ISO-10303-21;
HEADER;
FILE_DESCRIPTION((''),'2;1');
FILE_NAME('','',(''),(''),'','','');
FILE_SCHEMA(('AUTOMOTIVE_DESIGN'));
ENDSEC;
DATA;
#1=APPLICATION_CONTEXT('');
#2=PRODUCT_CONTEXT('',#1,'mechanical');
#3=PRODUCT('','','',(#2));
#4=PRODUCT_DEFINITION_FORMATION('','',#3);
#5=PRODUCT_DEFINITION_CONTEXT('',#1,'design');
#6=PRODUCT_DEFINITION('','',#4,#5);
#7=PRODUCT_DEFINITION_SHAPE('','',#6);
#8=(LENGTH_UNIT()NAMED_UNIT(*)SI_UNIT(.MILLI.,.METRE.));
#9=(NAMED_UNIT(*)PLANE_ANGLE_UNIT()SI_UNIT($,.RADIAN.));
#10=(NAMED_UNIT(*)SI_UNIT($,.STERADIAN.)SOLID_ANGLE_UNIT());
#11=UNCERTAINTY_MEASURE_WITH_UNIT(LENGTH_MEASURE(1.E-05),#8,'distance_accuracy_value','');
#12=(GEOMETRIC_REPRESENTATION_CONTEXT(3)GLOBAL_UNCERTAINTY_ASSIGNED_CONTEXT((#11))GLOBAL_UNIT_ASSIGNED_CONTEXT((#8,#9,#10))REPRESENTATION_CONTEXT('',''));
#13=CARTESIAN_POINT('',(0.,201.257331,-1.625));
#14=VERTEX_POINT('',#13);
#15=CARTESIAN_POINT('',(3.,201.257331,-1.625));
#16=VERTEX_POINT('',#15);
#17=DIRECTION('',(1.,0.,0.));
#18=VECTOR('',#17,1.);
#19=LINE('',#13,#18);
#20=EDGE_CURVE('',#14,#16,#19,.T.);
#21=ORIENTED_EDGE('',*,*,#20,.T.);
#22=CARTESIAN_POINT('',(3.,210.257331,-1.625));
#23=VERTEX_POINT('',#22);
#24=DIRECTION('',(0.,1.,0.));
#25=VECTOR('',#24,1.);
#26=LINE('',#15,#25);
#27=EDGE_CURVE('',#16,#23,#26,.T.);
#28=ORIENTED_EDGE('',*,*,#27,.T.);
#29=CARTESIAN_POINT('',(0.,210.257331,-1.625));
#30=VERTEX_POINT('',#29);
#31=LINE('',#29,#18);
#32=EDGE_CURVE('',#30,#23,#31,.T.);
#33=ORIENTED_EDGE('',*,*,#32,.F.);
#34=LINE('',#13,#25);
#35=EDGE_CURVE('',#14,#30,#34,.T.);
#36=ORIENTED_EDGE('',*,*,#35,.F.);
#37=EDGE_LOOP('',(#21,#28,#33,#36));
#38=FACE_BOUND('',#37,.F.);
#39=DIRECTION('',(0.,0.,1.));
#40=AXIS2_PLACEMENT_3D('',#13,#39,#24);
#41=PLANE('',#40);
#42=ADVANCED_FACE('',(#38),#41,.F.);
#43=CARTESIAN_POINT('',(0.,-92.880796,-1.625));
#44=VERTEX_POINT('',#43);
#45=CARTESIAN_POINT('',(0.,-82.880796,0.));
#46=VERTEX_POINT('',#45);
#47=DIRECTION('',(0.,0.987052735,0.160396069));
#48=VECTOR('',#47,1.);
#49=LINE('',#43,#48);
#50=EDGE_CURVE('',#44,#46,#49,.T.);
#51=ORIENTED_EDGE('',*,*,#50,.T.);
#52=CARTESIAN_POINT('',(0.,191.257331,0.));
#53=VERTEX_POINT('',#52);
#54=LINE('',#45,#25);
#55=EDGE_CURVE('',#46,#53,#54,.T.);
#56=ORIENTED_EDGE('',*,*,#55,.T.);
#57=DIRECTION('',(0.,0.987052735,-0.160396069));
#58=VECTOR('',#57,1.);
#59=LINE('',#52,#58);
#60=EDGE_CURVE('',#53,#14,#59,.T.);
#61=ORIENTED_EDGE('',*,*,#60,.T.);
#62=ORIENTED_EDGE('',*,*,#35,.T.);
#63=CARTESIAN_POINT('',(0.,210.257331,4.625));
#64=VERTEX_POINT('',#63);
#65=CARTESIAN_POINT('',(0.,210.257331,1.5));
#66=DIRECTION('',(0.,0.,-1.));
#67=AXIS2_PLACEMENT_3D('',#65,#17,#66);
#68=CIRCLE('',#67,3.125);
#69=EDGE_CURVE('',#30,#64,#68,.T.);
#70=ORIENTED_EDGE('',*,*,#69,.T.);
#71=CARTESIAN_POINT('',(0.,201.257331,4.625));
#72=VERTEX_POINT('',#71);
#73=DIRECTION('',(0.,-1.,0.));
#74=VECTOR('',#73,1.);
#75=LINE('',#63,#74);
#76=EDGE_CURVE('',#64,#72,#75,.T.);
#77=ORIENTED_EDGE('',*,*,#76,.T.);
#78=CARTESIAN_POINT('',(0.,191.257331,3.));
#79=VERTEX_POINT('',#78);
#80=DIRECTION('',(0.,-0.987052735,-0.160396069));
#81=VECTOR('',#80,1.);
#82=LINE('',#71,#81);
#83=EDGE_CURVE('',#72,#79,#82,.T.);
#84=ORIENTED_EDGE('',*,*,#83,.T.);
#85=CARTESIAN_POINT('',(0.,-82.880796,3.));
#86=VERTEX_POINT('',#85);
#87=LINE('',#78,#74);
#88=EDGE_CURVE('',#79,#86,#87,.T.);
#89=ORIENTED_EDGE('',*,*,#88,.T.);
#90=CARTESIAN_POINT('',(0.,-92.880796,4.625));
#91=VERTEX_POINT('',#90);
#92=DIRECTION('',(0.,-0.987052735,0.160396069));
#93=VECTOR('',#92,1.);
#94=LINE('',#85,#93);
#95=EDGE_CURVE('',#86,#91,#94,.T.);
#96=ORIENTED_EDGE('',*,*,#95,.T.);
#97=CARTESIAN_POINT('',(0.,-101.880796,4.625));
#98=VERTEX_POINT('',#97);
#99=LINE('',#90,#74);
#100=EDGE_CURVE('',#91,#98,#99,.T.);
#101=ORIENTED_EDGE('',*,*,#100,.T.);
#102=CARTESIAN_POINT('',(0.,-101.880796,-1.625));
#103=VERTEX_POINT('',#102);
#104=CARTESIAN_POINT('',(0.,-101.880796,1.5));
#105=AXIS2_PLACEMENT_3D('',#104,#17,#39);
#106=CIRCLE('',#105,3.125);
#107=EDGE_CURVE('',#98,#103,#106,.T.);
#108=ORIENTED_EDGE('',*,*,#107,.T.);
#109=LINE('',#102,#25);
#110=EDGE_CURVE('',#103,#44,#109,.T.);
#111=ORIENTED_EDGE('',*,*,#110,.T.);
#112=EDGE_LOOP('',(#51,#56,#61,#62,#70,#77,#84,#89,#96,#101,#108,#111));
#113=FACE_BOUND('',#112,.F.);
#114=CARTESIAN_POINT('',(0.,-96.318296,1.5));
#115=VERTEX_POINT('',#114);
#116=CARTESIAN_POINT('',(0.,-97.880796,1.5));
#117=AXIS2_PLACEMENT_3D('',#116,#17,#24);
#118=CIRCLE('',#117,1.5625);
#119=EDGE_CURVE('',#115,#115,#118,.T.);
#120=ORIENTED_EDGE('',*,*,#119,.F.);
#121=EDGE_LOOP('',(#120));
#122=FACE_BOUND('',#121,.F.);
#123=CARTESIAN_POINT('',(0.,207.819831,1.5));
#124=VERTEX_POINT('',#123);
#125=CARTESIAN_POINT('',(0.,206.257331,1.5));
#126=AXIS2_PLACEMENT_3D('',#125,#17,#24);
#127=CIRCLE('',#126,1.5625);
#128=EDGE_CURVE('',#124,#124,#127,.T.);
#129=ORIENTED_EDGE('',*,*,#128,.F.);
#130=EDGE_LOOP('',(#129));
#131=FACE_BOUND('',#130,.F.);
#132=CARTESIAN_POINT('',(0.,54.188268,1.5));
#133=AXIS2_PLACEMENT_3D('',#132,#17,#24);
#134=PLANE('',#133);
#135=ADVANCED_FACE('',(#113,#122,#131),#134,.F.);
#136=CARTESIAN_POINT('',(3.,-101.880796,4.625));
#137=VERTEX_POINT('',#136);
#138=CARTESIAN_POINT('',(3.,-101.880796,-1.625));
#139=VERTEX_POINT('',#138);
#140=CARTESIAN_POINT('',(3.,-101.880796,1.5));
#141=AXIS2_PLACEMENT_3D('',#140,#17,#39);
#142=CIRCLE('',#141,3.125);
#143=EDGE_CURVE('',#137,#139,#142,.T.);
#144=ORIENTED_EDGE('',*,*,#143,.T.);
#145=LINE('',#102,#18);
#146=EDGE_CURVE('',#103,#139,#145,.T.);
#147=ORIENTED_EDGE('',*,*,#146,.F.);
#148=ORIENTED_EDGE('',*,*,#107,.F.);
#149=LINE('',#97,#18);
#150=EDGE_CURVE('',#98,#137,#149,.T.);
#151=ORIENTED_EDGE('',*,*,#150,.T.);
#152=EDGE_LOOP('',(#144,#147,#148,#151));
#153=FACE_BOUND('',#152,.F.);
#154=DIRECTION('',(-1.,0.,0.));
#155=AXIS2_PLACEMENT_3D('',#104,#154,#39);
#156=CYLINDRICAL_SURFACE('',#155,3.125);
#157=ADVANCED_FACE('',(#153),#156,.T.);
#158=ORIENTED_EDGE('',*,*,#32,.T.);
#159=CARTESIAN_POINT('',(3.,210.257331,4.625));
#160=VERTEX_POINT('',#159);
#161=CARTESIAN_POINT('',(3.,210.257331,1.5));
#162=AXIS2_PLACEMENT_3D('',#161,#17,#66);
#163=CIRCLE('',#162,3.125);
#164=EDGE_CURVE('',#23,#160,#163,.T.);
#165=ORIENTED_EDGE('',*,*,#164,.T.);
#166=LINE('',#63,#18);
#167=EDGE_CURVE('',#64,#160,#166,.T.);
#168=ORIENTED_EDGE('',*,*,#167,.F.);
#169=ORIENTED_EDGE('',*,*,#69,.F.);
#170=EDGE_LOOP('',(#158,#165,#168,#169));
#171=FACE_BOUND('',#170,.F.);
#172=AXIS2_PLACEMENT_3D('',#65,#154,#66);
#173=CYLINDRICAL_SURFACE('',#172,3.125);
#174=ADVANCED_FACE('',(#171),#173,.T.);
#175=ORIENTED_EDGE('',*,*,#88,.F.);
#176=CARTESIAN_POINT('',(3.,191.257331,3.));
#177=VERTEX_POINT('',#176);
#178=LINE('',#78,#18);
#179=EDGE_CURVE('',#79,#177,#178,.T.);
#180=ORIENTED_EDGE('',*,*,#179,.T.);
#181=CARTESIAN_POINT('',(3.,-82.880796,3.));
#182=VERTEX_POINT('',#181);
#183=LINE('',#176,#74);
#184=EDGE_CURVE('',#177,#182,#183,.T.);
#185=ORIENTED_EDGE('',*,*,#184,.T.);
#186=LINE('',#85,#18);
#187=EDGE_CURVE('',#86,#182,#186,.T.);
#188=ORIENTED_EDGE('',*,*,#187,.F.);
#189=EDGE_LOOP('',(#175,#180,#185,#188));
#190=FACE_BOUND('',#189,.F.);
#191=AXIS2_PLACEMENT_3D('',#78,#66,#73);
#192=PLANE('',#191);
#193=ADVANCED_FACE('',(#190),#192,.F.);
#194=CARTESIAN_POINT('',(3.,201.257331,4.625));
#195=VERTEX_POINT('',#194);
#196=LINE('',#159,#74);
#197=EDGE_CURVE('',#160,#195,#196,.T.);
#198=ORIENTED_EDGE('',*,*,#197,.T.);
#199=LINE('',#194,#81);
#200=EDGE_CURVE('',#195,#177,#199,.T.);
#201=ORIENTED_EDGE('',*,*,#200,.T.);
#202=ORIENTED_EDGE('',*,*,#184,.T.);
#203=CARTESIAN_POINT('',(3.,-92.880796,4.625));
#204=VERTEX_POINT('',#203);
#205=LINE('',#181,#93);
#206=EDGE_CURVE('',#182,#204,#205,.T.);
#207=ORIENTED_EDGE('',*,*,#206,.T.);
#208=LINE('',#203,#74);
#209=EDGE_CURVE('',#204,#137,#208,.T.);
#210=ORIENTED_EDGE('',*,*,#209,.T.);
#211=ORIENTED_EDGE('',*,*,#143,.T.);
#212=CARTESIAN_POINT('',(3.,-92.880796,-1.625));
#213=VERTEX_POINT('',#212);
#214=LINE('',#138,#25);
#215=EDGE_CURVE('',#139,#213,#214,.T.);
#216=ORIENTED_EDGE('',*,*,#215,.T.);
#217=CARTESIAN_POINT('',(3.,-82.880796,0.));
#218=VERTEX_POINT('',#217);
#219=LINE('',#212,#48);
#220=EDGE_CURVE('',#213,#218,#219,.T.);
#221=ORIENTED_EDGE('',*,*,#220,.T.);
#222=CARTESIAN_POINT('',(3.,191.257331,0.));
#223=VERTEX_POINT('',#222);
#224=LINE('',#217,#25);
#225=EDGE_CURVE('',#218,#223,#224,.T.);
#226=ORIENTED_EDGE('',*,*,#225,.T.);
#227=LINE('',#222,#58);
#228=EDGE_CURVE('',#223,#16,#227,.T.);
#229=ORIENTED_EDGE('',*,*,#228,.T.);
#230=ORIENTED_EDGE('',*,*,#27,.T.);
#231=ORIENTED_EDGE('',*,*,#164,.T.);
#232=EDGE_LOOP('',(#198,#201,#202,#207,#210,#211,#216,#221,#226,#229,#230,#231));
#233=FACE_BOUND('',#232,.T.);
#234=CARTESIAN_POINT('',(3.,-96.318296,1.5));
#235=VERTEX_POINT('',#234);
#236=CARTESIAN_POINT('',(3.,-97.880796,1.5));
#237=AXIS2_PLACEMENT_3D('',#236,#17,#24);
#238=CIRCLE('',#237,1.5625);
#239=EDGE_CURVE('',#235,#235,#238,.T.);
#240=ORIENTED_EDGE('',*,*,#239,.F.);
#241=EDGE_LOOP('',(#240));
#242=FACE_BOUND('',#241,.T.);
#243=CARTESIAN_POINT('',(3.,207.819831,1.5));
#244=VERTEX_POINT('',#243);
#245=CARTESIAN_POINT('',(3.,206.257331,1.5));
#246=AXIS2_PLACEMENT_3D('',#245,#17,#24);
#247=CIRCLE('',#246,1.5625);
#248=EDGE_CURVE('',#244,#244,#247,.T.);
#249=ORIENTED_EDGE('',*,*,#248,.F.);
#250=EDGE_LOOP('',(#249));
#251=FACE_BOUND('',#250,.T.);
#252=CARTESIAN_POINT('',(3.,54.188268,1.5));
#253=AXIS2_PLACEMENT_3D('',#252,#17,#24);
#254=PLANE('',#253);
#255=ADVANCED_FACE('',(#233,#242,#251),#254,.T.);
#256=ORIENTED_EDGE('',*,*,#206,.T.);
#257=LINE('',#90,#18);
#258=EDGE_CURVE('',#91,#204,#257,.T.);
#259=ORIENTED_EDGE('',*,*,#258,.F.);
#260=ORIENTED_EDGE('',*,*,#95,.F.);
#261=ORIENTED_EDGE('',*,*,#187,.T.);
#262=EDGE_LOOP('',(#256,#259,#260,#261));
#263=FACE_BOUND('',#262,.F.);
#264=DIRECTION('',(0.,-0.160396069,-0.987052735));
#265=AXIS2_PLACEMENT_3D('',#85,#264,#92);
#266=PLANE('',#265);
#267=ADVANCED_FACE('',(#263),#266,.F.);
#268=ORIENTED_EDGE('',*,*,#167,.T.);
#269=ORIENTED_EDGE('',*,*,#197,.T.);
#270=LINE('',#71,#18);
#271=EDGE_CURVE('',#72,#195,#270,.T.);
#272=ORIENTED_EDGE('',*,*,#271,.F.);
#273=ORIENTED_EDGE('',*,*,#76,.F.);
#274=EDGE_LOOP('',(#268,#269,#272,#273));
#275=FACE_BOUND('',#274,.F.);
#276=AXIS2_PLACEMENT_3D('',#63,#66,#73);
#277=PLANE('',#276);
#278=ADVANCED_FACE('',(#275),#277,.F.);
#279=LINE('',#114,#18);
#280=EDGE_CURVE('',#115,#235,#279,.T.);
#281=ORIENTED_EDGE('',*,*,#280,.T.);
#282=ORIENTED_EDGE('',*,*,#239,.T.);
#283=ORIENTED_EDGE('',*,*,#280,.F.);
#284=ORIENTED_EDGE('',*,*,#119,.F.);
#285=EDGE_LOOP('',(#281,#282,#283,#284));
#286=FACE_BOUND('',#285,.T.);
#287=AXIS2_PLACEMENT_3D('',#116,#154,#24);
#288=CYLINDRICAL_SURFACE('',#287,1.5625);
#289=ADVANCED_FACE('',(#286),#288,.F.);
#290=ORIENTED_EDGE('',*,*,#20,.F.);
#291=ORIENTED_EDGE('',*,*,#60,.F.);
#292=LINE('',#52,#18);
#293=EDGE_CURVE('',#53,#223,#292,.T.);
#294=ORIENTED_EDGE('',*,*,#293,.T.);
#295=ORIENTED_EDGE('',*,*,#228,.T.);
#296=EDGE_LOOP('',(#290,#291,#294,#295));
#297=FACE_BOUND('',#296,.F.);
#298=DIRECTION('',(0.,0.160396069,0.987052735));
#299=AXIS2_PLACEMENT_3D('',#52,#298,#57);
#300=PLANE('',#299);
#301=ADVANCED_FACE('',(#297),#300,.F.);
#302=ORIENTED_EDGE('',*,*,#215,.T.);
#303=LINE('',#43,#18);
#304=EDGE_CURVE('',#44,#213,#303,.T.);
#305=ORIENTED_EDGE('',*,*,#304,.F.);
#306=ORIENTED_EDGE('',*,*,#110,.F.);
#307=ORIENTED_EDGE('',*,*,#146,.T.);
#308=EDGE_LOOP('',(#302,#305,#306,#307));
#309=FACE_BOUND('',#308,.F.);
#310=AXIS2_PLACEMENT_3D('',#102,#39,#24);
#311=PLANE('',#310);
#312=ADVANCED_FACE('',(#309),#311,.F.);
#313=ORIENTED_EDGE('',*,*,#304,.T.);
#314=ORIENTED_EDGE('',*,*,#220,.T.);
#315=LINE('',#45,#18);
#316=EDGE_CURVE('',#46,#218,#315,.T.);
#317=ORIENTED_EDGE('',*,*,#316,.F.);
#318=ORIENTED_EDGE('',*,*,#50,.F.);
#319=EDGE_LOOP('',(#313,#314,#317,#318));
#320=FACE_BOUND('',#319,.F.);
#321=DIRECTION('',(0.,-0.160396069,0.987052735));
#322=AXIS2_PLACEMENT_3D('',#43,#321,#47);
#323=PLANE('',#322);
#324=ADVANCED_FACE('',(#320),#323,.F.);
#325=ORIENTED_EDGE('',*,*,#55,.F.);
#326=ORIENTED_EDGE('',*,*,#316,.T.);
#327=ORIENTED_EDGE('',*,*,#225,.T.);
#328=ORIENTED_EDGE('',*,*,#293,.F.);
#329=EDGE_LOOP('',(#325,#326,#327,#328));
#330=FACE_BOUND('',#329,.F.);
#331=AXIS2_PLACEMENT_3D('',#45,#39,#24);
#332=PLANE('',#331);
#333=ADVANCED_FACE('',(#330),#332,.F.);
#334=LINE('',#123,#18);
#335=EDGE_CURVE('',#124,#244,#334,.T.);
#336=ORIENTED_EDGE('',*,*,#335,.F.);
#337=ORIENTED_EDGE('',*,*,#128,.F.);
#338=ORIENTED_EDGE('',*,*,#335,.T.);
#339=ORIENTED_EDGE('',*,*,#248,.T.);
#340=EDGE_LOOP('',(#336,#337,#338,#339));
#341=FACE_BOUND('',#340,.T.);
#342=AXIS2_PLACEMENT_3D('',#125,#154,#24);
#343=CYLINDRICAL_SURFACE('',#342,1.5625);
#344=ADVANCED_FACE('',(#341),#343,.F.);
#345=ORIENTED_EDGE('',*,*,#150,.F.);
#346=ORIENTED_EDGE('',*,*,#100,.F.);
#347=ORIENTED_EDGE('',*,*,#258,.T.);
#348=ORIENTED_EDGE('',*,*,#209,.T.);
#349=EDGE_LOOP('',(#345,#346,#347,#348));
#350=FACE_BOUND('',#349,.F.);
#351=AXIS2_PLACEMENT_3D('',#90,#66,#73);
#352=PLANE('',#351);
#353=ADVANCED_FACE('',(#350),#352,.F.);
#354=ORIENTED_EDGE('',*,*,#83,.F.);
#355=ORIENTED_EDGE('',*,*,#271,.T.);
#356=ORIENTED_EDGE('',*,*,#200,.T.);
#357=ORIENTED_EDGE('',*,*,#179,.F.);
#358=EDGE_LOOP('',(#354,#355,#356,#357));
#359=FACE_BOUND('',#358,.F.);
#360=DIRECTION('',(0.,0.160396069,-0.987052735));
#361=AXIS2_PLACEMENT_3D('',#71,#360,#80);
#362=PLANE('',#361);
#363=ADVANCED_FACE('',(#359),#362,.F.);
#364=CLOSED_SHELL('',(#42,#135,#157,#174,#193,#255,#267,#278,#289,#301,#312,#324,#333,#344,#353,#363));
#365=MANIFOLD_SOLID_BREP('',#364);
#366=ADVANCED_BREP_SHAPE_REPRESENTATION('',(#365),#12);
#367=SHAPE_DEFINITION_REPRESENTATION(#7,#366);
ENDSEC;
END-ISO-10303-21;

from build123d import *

# Parameters (mm, degrees)
F0_R     = 1.5625
F1_DEPTH = 3


with BuildPart() as f1:
    # F0 (on Right) → F1 (new body)
    with BuildSketch(Plane.YZ):
        with BuildLine():
            Line((210.257331, 4.625), (201.257331, 4.625))
            Line((201.257331, 4.625), (191.257331, 3))
            Line((191.257331, 3), (-82.880796, 3))
            Line((-82.880796, 3), (-92.880796, 4.625))
            Line((-92.880796, 4.625), (-101.880796, 4.625))
            ThreePointArc((-101.880796, 4.625), (-105.005796, 1.5), (-101.880796, -1.625))
            Line((-101.880796, -1.625), (-92.880796, -1.625))
            Line((-92.880796, -1.625), (-82.880796, 0))
            Line((-82.880796, 0), (191.257331, 0))
            Line((191.257331, 0), (201.257331, -1.625))
            Line((201.257331, -1.625), (210.257331, -1.625))
            ThreePointArc((210.257331, -1.625), (213.382331, 1.5), (210.257331, 4.625))
        make_face()
        with Locations((-97.880796, 1.5)):
            Circle(F0_R, mode=Mode.SUBTRACT)
        with Locations((206.257331, 1.5)):
            Circle(F0_R, mode=Mode.SUBTRACT)
    extrude(amount=F1_DEPTH)


solid = f1.part
